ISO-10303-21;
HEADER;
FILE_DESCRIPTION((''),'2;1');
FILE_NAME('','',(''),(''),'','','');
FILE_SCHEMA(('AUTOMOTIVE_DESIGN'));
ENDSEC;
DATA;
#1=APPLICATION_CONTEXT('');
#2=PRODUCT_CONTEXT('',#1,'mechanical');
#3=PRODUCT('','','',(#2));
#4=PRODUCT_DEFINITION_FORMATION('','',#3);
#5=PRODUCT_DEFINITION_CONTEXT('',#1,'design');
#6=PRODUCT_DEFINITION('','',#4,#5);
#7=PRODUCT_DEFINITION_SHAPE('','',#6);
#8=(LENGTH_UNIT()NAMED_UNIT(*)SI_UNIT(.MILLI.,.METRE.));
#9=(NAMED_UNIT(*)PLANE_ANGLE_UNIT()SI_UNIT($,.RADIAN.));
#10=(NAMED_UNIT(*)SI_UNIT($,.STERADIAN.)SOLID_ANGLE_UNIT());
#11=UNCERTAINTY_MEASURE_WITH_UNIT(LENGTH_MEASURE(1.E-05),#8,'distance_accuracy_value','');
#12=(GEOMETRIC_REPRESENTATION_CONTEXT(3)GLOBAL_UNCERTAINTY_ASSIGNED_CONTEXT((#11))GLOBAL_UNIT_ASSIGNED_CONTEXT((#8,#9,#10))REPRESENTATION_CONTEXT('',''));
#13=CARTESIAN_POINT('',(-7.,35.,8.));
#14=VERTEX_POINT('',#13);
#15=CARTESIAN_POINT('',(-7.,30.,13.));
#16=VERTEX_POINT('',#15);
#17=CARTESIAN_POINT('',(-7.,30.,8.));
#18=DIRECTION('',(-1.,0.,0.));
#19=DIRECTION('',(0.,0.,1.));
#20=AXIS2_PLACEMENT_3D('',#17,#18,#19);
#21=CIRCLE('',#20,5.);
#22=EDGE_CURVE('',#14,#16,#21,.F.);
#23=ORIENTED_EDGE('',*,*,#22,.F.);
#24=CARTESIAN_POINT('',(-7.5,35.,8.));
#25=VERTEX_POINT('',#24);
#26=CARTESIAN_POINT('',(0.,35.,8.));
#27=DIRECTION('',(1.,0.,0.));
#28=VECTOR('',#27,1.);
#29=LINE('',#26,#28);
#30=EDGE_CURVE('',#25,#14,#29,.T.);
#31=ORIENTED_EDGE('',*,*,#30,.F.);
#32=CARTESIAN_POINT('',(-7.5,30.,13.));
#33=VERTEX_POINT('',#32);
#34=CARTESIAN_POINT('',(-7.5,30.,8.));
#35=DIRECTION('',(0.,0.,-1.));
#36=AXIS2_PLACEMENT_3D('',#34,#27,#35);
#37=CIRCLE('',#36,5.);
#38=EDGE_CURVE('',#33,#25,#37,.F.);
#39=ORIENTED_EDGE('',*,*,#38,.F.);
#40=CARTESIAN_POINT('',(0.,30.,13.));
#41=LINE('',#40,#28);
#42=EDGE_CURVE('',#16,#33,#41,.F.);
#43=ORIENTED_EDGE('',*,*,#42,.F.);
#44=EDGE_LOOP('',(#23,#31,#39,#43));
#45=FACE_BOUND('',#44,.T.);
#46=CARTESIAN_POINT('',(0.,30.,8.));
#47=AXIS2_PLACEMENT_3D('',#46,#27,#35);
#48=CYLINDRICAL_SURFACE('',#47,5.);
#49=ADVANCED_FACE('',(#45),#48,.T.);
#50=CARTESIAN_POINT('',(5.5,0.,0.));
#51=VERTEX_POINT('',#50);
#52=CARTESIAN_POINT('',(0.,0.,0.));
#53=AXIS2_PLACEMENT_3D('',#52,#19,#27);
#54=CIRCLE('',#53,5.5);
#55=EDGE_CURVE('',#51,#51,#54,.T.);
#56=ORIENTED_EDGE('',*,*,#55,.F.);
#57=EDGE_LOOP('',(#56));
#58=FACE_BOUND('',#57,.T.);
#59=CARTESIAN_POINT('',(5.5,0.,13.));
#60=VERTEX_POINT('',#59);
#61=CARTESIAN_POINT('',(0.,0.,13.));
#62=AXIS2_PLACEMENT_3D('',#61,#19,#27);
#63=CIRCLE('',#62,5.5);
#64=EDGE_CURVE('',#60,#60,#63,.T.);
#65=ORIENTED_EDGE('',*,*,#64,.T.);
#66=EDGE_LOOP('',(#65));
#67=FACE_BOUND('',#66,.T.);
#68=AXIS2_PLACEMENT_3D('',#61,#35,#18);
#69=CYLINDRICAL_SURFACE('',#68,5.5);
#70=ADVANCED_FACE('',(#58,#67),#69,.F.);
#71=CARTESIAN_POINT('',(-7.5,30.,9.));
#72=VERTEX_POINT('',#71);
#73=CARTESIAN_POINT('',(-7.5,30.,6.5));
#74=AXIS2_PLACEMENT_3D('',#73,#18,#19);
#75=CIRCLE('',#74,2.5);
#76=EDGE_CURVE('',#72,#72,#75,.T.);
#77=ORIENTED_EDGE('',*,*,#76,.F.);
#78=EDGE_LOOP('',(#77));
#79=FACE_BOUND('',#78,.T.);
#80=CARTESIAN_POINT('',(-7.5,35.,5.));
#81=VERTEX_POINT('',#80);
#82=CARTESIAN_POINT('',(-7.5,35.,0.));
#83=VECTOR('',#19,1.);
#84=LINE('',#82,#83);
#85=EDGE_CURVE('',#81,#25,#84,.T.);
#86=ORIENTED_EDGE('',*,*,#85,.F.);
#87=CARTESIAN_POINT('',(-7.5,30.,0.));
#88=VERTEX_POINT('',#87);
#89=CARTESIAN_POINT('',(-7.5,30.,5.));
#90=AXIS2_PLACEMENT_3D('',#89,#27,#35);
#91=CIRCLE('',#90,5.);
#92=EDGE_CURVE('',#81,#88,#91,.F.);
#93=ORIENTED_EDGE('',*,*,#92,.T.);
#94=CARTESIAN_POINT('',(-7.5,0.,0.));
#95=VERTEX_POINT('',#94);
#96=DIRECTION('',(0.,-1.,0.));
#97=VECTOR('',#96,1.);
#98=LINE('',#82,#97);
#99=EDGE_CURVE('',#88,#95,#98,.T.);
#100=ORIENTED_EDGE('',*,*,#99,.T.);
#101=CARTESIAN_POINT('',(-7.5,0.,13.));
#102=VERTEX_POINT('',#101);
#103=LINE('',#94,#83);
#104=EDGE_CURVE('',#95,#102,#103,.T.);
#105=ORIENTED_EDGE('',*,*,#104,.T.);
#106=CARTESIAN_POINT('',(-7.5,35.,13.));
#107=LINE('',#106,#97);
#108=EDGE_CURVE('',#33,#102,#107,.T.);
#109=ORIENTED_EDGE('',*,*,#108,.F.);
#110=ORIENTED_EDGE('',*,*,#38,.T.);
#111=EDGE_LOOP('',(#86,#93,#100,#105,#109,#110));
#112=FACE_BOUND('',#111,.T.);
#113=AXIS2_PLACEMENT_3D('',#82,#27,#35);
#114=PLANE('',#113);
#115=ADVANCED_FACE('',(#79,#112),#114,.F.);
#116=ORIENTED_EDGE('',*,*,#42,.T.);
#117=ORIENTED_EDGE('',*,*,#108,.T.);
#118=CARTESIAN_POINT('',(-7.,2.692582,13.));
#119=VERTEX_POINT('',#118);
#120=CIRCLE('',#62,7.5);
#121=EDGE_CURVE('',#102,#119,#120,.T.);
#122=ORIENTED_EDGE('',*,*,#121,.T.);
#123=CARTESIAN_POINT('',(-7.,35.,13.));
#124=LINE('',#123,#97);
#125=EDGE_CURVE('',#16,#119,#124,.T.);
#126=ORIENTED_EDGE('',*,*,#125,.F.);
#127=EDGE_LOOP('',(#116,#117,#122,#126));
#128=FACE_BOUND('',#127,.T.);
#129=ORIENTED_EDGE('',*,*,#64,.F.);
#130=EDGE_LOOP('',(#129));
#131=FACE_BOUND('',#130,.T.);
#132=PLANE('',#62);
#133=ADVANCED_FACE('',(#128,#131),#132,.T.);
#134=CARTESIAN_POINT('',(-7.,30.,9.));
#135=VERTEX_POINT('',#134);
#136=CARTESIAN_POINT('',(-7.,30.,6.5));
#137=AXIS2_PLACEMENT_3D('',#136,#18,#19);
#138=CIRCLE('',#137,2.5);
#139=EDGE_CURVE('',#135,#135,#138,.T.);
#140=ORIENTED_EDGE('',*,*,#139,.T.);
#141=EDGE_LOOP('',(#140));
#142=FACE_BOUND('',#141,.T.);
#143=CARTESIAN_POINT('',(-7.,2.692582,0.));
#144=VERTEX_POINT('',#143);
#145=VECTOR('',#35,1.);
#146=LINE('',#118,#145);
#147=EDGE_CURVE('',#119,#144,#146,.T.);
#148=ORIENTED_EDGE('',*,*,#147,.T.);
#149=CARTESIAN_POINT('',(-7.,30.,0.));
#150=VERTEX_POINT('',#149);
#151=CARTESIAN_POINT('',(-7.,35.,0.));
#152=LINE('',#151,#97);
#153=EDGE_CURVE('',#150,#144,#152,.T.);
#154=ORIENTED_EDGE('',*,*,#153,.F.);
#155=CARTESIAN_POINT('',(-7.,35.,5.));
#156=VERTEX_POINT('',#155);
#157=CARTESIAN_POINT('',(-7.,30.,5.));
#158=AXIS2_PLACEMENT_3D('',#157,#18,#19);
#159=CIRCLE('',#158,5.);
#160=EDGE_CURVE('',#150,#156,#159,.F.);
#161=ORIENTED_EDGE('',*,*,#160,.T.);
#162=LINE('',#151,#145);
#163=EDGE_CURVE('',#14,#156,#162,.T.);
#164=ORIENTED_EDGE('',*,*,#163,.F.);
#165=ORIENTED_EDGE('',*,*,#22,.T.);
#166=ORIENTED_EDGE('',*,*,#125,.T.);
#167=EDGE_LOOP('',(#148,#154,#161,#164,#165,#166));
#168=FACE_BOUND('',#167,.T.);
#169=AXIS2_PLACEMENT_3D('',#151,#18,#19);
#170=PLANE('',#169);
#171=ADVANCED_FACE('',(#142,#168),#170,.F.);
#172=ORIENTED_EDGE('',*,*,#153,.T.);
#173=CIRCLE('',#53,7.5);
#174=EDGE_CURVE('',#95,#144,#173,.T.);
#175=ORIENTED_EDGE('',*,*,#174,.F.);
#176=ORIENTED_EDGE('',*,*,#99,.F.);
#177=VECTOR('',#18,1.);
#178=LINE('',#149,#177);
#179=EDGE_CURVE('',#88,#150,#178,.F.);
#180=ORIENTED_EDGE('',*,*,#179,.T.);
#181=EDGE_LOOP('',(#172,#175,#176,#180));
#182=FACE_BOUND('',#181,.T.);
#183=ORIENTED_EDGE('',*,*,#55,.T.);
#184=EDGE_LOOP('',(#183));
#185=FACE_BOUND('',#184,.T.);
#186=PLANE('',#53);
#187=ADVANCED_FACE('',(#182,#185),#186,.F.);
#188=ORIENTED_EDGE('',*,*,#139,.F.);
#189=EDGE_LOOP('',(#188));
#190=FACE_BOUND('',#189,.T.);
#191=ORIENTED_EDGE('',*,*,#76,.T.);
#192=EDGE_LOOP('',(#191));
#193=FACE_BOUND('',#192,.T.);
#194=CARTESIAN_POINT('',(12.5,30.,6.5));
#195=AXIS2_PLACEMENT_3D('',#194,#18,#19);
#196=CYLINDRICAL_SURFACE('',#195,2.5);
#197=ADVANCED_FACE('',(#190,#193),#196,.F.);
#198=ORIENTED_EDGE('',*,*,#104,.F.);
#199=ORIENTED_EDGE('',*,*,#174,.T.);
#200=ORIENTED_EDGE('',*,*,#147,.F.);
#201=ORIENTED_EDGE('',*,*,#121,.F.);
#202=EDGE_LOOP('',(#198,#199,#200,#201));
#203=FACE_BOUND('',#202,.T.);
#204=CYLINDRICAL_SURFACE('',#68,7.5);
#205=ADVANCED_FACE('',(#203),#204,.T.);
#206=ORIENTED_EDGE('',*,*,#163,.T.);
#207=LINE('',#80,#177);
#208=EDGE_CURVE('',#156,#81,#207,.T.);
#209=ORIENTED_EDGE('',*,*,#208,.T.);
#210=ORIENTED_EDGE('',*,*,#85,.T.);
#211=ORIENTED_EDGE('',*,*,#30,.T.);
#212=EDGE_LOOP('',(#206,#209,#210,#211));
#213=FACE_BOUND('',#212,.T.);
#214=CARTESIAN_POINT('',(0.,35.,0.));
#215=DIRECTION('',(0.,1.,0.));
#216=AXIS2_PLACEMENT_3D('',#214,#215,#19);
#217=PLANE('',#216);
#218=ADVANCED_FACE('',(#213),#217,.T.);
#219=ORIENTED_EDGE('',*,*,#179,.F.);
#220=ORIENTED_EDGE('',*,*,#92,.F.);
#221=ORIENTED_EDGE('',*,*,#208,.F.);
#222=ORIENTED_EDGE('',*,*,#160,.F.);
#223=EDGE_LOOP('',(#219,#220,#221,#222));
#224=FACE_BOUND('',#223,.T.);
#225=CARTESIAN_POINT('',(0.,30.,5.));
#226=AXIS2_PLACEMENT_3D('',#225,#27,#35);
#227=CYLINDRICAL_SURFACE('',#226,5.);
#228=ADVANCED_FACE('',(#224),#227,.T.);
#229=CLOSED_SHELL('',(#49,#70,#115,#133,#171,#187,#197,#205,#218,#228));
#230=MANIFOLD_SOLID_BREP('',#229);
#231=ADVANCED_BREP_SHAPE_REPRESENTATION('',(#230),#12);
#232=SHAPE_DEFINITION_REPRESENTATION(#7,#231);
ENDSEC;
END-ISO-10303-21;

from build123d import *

# Parameters (mm, degrees)
ESBO_O1_R                = 7.5
ESBO_O1_R_2              = 5.5
RESSALTO_EXTRUS_O1_DEPTH = 13
ESBO_O2_W                = 0.5
ESBO_O2_H                = 13
RESSALTO_EXTRUS_O2_DEPTH = 35
ESBO_O3_R                = 2.5
CORTE_EXTRUS_O1_DEPTH    = 20
FILETE1_R                = 5


with BuildPart() as part:
    # Esboço1 → Ressalto-extrusão1 (new body)
    with BuildSketch(Plane.XY):
        Circle(ESBO_O1_R)
        Circle(ESBO_O1_R_2, mode=Mode.SUBTRACT)
    extrude(amount=RESSALTO_EXTRUS_O1_DEPTH)

    # Esboço2 → Ressalto-extrusão2 (add)
    with BuildSketch(Plane(origin=(0, 0, 0), x_dir=(1, 0, 0), z_dir=(0, 1, 0))):
        with Locations((-7.25, -6.5)):
            Rectangle(ESBO_O2_W, ESBO_O2_H)
    extrude(amount=RESSALTO_EXTRUS_O2_DEPTH)

    # Esboço3 → Corte-extrusão1 (cut)
    with BuildSketch(Plane.ZY.offset(7.5)):
        with Locations((6.5, 30)):
            Circle(ESBO_O3_R)
    extrude(amount=-CORTE_EXTRUS_O1_DEPTH, mode=Mode.SUBTRACT)

    # Filete1
    filete1_edges = [part.edges().sort_by_distance(p)[0] for p in [
        (-7.25, 35, 13),
        (-7.25, 35, 0),
    ]]
    fillet(filete1_edges, radius=FILETE1_R)


solid = part.part
